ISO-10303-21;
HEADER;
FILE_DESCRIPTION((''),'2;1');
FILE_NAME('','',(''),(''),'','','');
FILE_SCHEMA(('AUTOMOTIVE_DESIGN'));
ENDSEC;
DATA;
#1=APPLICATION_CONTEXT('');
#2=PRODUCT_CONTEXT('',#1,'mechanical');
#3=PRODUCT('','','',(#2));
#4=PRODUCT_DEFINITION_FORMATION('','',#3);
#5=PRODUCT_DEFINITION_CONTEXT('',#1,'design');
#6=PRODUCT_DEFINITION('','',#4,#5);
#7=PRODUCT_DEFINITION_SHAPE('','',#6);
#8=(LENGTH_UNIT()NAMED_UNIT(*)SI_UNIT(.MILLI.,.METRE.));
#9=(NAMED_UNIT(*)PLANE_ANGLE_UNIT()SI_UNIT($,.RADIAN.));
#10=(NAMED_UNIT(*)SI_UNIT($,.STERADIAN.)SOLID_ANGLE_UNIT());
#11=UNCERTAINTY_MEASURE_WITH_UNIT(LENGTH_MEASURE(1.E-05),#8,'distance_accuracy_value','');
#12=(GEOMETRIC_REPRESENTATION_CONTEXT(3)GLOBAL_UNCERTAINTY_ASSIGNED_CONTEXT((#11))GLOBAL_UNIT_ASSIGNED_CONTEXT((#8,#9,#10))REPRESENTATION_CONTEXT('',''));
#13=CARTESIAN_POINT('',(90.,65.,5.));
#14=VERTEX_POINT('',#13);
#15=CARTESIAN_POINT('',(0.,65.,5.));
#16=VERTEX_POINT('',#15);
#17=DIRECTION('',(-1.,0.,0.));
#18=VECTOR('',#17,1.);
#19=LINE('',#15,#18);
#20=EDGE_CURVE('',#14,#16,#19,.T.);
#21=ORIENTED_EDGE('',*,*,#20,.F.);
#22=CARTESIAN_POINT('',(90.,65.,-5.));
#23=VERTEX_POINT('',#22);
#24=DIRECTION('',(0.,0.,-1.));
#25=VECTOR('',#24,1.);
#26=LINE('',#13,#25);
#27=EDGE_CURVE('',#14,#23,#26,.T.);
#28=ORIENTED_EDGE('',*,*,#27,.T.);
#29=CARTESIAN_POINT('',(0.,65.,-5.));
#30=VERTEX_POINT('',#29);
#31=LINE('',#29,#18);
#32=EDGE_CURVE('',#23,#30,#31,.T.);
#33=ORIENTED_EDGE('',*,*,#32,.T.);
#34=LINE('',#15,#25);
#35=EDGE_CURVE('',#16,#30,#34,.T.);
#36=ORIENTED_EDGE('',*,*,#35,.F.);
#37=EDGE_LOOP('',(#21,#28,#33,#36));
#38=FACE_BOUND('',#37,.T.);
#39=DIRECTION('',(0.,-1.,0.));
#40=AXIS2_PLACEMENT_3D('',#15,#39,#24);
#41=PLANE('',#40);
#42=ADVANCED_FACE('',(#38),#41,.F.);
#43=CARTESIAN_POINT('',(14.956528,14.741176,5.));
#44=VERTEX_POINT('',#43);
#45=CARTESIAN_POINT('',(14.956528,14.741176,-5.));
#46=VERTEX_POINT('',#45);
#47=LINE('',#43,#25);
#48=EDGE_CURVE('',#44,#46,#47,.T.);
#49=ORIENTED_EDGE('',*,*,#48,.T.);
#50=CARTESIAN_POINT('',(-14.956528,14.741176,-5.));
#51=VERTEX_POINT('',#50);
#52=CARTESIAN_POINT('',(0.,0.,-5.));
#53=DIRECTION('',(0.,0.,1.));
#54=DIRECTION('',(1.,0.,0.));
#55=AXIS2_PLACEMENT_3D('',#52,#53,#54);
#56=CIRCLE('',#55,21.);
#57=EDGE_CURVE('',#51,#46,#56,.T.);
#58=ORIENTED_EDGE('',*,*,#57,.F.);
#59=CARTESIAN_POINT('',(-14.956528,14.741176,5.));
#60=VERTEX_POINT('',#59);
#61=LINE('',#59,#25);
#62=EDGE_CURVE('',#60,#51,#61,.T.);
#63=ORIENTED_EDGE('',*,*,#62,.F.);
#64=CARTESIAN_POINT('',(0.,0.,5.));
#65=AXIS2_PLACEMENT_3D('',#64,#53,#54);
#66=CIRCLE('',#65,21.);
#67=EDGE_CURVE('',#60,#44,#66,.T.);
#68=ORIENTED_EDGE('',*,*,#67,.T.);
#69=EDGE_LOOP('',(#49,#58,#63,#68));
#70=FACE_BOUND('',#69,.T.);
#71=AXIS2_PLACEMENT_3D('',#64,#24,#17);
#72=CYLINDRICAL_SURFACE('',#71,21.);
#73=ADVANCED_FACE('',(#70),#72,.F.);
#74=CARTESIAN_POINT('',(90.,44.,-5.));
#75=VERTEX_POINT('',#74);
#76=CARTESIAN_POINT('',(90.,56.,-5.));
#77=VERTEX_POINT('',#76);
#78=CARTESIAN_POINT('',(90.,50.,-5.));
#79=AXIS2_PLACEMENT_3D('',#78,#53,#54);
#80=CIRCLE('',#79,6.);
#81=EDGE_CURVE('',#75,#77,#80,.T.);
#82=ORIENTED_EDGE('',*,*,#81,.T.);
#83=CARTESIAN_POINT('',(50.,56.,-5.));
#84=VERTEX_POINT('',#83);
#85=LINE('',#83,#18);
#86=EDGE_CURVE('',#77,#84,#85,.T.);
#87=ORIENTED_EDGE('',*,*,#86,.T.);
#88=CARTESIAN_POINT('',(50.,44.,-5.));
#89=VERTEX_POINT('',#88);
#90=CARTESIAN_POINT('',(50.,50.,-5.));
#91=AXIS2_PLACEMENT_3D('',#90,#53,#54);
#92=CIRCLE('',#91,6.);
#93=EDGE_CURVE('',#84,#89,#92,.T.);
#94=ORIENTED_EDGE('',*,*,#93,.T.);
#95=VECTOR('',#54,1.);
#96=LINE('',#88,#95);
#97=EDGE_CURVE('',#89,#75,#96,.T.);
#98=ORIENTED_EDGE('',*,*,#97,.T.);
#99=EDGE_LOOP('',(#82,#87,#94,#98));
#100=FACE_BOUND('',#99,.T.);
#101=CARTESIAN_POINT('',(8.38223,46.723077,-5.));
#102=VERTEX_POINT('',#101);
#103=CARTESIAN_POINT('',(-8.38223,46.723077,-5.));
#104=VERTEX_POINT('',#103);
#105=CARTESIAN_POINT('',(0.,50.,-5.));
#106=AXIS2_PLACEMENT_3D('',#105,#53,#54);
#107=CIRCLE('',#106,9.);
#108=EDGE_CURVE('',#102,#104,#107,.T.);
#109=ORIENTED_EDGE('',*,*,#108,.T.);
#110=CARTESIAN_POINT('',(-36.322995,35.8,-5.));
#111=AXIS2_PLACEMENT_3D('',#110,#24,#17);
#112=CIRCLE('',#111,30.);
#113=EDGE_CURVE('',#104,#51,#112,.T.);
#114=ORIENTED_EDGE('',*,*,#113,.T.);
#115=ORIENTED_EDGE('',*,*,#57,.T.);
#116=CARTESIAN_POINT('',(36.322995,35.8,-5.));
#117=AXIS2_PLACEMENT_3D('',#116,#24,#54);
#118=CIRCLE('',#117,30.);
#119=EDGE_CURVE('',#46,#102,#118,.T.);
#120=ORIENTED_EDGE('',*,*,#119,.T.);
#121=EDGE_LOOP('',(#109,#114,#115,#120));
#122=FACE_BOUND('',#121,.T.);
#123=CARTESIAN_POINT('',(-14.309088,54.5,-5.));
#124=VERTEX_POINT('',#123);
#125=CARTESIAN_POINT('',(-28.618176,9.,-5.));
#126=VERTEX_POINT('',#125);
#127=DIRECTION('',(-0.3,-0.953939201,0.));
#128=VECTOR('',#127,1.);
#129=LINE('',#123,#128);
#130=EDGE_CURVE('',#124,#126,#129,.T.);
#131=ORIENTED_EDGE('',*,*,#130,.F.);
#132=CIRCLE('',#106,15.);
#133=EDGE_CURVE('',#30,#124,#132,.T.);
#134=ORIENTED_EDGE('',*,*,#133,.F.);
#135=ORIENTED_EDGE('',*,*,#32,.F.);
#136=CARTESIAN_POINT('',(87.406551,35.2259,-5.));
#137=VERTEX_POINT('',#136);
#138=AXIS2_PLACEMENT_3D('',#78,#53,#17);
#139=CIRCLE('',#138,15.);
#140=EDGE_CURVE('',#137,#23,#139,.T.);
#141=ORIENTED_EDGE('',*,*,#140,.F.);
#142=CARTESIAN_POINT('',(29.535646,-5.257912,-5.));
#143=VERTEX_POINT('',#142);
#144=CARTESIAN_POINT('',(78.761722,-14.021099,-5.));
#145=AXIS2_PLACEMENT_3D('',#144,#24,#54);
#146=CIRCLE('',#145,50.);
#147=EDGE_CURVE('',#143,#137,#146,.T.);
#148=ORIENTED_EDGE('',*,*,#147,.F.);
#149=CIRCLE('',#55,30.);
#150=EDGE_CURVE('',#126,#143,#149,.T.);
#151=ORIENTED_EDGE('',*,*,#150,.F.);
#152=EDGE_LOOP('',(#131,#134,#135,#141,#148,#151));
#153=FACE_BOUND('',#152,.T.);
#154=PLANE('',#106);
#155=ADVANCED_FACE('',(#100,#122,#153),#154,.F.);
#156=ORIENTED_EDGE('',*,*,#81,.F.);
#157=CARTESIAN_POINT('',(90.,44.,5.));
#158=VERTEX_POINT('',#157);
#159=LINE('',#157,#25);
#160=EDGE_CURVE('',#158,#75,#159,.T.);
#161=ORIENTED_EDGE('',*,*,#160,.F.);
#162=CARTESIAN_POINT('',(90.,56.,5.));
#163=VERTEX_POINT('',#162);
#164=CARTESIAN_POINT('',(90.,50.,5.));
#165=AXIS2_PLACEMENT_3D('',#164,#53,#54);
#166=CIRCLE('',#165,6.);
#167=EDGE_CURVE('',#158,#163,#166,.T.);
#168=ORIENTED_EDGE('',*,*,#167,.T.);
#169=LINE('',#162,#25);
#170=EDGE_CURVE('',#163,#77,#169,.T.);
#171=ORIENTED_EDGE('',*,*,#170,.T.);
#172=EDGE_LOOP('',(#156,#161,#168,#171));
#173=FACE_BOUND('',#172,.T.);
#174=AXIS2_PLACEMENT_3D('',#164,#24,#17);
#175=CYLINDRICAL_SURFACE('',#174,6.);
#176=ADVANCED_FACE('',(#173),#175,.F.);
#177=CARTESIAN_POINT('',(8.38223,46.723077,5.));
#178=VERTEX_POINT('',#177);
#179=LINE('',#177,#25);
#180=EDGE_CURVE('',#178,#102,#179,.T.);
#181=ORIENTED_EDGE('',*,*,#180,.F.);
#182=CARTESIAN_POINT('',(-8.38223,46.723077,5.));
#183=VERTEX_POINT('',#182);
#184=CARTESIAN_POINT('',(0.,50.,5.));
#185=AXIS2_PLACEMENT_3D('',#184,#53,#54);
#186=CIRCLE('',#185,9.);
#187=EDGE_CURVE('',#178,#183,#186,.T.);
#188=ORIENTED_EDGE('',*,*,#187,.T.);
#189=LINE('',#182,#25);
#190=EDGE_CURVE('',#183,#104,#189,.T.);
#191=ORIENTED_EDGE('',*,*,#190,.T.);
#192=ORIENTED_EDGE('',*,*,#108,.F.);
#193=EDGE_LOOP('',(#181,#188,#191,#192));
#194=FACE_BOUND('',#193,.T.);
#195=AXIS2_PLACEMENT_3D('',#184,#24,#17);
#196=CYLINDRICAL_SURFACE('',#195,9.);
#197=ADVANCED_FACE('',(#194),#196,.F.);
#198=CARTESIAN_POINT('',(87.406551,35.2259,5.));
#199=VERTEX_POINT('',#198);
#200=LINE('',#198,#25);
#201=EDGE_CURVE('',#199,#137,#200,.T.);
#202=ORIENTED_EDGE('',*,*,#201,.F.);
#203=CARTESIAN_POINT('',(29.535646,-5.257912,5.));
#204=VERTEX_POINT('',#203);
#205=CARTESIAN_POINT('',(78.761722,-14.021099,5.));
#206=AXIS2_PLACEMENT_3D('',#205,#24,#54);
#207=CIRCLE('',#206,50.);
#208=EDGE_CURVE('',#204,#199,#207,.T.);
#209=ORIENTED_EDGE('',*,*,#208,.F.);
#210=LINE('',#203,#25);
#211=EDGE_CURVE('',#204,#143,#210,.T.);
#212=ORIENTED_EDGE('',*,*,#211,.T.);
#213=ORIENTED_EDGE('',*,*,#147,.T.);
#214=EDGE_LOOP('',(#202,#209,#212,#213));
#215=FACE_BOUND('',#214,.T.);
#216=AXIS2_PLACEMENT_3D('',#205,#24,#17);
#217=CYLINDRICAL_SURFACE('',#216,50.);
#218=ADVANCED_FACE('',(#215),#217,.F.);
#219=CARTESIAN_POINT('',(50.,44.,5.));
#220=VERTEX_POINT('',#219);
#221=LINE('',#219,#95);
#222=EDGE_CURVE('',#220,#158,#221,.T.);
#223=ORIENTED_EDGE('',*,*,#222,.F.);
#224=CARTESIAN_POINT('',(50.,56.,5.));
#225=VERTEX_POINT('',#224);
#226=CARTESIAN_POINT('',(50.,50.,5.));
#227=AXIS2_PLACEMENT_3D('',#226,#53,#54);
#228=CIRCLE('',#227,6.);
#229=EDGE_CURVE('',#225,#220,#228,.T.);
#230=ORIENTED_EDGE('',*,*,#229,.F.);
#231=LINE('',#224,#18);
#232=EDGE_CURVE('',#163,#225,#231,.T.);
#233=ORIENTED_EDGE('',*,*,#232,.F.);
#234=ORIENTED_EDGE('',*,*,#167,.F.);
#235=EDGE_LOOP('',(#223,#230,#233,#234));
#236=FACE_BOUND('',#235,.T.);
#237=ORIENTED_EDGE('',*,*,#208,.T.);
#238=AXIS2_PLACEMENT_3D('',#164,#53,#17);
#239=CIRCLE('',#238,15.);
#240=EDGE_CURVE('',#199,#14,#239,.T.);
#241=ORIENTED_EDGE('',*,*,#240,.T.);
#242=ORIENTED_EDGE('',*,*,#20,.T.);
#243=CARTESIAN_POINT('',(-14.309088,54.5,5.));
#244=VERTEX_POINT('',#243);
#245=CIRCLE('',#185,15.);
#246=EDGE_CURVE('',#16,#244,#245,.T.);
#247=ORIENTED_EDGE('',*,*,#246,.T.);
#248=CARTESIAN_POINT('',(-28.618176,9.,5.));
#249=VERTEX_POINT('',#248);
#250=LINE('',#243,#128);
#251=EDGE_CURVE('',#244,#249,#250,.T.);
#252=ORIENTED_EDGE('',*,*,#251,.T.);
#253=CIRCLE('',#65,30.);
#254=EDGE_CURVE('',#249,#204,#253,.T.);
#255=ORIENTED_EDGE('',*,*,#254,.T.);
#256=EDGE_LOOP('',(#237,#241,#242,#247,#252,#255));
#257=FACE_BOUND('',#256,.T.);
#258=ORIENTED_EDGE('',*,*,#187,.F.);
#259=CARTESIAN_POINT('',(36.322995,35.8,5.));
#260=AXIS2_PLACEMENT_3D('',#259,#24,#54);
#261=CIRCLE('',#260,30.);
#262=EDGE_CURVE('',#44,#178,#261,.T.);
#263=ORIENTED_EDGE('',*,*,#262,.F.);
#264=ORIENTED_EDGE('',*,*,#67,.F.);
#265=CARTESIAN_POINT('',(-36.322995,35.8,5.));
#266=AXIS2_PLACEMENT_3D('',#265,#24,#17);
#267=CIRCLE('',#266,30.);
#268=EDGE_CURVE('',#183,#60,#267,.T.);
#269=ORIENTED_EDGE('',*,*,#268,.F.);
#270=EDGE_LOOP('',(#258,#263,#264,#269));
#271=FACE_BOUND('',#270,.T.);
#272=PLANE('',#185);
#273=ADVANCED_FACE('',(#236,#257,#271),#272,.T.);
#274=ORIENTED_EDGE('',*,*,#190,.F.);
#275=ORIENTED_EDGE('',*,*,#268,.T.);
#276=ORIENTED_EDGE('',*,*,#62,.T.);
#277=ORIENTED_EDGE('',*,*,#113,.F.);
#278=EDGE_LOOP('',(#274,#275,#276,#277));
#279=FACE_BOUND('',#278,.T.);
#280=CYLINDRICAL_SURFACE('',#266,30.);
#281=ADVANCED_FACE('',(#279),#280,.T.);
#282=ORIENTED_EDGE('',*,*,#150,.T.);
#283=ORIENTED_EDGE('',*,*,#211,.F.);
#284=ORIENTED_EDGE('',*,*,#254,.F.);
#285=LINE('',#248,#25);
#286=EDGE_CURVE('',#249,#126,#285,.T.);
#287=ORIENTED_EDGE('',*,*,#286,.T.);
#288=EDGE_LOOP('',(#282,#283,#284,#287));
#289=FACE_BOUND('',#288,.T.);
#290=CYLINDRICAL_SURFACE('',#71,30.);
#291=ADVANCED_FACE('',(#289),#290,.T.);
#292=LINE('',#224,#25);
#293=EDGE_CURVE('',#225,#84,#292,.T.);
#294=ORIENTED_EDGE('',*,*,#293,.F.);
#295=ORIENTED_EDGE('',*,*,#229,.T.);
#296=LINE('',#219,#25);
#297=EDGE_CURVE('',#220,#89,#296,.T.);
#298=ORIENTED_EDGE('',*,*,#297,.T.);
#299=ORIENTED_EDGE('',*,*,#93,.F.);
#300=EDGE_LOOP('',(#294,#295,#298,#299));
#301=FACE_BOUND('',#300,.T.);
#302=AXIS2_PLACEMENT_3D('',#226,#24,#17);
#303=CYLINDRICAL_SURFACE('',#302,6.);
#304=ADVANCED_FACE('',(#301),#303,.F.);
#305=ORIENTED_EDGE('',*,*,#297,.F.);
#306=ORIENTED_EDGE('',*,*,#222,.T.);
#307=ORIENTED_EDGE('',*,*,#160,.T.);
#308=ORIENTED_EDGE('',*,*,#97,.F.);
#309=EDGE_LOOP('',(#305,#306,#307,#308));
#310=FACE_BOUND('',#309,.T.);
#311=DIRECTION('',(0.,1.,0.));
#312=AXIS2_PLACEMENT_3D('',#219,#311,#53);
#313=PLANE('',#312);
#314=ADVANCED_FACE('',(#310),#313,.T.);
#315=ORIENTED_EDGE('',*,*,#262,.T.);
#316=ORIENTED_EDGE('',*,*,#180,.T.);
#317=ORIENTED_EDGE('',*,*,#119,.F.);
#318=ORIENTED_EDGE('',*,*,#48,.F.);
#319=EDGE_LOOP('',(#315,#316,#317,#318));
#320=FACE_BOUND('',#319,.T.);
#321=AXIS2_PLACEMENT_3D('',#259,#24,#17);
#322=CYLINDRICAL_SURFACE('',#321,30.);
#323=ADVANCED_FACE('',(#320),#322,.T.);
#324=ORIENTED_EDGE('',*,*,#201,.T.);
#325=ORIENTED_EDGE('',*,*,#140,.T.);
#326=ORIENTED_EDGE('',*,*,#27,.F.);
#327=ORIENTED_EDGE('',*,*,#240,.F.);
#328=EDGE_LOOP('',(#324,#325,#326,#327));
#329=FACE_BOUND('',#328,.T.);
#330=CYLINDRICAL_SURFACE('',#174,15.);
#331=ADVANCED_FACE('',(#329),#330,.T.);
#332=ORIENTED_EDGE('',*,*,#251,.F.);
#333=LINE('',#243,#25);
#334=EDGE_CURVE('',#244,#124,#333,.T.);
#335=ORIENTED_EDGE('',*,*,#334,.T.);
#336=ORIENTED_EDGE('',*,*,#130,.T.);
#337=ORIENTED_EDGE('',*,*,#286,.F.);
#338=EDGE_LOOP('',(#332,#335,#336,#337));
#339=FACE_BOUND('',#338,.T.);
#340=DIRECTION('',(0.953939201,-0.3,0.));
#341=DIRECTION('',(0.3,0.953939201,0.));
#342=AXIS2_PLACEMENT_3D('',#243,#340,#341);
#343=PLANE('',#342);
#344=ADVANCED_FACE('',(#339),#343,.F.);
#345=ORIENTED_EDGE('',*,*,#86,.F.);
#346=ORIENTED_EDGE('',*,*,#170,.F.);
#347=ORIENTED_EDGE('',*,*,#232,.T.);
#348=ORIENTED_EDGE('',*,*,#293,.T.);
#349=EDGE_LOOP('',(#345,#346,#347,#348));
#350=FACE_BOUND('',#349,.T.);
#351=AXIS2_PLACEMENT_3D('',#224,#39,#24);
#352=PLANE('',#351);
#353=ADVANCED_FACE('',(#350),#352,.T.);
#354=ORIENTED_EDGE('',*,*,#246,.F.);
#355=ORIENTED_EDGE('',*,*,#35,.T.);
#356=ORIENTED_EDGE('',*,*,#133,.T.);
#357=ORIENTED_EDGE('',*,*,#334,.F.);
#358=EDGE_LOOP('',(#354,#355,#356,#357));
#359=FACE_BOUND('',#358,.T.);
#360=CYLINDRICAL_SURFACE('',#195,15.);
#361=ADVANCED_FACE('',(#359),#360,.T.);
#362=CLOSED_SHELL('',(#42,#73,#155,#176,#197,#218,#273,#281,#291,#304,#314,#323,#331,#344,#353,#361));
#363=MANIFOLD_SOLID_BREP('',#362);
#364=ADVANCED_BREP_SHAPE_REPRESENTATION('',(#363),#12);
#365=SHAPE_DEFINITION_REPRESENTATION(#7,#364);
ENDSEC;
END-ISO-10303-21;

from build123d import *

# Parameters (mm, degrees)
BOSS_EXTRUDE1_DEPTH = 5


with BuildPart() as part:
    # Sketch1 → Boss-Extrude1 (new, symmetric)
    with BuildSketch(Plane.XY):
        with BuildLine():
            Line((0, 65), (90, 65))
            ThreePointArc((90, 65), (104.943418217, 48.698365648), (87.406551135, 35.225900265))
            ThreePointArc((87.406551135, 35.225900265), (50.100874494, 26.949083525), (29.535645594, -5.25791207))
            ThreePointArc((29.535645594, -5.25791207), (-7.143700144, -29.137047693), (-28.618176043, 9))
            Line((-28.618176043, 9), (-14.309088021, 54.5))
            ThreePointArc((-14.309088021, 54.5), (-8.874119675, 62.093386622), (0, 65))
        make_face()
        with BuildLine():
            Line((50, 56), (90, 56))
            ThreePointArc((90, 56), (96, 50), (90, 44))
            Line((90, 44), (50, 44))
            ThreePointArc((50, 44), (44, 50), (50, 56))
        make_face(mode=Mode.SUBTRACT)
        with BuildLine():
            ThreePointArc((8.382229724, 46.723076923), (0, 59), (-8.382229724, 46.723076923))
            ThreePointArc((-8.382229724, 46.723076923), (-6.937432482, 29.759413292), (-14.956527547, 14.741176471))
            ThreePointArc((-14.956527547, 14.741176471), (0, -21), (14.956527547, 14.741176471))
            ThreePointArc((14.956527547, 14.741176471), (6.937432482, 29.759413292), (8.382229724, 46.723076923))
        make_face(mode=Mode.SUBTRACT)
    extrude(amount=BOSS_EXTRUDE1_DEPTH, both=True)


solid = part.part
